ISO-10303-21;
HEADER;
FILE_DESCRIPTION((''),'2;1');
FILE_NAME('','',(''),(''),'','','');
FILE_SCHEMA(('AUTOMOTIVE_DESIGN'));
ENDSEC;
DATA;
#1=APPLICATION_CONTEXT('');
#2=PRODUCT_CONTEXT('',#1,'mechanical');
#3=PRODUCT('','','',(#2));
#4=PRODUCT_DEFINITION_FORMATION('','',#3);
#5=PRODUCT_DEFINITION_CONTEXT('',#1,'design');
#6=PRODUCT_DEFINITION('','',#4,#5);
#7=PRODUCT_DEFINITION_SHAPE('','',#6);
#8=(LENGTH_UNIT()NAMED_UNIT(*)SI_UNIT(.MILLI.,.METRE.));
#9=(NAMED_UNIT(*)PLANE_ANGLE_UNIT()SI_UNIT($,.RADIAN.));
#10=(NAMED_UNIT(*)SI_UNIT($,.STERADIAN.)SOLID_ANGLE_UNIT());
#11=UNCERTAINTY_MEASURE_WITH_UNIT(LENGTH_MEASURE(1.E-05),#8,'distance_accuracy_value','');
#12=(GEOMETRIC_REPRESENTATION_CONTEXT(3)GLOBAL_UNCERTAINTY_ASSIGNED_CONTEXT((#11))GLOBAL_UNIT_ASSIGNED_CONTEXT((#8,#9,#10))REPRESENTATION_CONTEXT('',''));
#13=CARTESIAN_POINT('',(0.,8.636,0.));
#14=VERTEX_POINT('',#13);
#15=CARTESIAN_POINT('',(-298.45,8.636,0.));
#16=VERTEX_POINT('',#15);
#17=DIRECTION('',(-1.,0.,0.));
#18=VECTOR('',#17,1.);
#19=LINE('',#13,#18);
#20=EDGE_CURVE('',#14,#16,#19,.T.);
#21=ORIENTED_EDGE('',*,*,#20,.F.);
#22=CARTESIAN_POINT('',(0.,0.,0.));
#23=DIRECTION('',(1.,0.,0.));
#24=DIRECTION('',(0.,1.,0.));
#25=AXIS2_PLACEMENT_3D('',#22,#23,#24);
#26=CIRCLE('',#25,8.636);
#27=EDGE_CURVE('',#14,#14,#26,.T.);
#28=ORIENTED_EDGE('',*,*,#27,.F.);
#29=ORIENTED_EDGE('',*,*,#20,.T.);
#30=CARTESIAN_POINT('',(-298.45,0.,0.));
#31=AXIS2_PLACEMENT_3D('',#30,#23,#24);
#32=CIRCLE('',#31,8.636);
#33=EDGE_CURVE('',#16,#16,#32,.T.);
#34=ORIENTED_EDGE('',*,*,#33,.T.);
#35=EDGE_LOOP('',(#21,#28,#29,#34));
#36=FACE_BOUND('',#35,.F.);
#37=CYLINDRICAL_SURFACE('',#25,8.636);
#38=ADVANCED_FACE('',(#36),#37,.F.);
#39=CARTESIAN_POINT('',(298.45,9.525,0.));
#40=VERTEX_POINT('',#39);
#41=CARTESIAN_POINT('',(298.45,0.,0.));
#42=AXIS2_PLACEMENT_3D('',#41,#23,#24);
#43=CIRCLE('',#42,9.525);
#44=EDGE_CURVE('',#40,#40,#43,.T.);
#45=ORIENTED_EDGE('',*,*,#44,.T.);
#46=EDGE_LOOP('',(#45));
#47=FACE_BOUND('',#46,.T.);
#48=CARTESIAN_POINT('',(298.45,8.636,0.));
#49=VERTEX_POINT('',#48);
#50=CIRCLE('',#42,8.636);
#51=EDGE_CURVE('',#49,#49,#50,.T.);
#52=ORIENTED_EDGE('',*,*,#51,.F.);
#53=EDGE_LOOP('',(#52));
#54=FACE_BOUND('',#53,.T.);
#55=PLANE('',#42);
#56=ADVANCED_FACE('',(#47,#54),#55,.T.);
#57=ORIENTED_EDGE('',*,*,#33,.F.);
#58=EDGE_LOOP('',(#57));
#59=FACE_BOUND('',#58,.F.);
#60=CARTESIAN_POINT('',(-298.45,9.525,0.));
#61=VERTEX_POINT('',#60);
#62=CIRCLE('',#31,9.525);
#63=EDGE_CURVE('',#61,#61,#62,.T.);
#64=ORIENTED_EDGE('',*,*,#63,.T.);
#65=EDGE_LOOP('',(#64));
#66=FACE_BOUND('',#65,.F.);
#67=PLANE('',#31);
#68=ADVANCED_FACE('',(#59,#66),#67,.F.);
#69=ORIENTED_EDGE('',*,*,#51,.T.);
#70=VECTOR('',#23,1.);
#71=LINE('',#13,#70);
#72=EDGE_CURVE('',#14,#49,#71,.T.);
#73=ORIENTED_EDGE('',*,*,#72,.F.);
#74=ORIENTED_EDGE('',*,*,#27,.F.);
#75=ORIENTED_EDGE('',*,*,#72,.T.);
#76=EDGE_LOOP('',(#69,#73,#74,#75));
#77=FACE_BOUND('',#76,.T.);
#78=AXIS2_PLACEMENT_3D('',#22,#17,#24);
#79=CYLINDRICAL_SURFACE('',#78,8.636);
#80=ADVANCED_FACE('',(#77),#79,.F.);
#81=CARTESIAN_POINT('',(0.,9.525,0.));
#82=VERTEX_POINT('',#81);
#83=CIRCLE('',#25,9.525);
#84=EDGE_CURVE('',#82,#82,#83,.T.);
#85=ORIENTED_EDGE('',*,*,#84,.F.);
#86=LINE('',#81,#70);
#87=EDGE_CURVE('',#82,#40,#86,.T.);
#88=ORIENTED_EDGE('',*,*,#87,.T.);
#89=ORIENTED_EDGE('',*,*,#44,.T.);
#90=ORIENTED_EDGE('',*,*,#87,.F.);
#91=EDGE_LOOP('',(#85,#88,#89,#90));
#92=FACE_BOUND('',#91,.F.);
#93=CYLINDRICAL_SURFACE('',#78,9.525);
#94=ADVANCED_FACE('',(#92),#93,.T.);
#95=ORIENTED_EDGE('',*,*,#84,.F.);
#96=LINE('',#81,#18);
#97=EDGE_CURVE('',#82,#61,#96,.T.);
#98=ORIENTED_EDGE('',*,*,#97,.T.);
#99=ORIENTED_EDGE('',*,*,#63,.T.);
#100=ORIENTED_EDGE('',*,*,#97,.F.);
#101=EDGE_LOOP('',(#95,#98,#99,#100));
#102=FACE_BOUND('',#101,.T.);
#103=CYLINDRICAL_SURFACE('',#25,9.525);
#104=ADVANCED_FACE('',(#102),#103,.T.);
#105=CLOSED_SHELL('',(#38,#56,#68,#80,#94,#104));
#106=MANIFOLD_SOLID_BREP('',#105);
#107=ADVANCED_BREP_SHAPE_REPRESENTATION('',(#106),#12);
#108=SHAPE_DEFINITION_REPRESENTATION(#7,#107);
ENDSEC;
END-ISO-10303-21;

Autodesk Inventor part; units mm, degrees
ref_plane "YZ Plane" through (0, 0, 0) normal (1, 0, 0) x (0, 1, 0)
ref_plane "XZ Plane" through (0, 0, 0) normal (0, 1, 0) x (-1, 0, 0)
ref_plane "XY Plane" through (0, 0, 0) normal (0, 0, 1) x (1, 0, 0)
sketch "Sketch1" plane through (0, 0, 0) normal (1, 0, 0) x (0, 1, 0)
  circle A0 centre (0, 0) radius 9.525
  circle A1 centre (0, 0) radius 8.636
  dimension "d0" = 19.05
  dimension "d5" = 17.272
extrude "Extrusion1" add sketch "Sketch1" along normal mid plane 596.9
properties part number "Hopper Roller Back"
